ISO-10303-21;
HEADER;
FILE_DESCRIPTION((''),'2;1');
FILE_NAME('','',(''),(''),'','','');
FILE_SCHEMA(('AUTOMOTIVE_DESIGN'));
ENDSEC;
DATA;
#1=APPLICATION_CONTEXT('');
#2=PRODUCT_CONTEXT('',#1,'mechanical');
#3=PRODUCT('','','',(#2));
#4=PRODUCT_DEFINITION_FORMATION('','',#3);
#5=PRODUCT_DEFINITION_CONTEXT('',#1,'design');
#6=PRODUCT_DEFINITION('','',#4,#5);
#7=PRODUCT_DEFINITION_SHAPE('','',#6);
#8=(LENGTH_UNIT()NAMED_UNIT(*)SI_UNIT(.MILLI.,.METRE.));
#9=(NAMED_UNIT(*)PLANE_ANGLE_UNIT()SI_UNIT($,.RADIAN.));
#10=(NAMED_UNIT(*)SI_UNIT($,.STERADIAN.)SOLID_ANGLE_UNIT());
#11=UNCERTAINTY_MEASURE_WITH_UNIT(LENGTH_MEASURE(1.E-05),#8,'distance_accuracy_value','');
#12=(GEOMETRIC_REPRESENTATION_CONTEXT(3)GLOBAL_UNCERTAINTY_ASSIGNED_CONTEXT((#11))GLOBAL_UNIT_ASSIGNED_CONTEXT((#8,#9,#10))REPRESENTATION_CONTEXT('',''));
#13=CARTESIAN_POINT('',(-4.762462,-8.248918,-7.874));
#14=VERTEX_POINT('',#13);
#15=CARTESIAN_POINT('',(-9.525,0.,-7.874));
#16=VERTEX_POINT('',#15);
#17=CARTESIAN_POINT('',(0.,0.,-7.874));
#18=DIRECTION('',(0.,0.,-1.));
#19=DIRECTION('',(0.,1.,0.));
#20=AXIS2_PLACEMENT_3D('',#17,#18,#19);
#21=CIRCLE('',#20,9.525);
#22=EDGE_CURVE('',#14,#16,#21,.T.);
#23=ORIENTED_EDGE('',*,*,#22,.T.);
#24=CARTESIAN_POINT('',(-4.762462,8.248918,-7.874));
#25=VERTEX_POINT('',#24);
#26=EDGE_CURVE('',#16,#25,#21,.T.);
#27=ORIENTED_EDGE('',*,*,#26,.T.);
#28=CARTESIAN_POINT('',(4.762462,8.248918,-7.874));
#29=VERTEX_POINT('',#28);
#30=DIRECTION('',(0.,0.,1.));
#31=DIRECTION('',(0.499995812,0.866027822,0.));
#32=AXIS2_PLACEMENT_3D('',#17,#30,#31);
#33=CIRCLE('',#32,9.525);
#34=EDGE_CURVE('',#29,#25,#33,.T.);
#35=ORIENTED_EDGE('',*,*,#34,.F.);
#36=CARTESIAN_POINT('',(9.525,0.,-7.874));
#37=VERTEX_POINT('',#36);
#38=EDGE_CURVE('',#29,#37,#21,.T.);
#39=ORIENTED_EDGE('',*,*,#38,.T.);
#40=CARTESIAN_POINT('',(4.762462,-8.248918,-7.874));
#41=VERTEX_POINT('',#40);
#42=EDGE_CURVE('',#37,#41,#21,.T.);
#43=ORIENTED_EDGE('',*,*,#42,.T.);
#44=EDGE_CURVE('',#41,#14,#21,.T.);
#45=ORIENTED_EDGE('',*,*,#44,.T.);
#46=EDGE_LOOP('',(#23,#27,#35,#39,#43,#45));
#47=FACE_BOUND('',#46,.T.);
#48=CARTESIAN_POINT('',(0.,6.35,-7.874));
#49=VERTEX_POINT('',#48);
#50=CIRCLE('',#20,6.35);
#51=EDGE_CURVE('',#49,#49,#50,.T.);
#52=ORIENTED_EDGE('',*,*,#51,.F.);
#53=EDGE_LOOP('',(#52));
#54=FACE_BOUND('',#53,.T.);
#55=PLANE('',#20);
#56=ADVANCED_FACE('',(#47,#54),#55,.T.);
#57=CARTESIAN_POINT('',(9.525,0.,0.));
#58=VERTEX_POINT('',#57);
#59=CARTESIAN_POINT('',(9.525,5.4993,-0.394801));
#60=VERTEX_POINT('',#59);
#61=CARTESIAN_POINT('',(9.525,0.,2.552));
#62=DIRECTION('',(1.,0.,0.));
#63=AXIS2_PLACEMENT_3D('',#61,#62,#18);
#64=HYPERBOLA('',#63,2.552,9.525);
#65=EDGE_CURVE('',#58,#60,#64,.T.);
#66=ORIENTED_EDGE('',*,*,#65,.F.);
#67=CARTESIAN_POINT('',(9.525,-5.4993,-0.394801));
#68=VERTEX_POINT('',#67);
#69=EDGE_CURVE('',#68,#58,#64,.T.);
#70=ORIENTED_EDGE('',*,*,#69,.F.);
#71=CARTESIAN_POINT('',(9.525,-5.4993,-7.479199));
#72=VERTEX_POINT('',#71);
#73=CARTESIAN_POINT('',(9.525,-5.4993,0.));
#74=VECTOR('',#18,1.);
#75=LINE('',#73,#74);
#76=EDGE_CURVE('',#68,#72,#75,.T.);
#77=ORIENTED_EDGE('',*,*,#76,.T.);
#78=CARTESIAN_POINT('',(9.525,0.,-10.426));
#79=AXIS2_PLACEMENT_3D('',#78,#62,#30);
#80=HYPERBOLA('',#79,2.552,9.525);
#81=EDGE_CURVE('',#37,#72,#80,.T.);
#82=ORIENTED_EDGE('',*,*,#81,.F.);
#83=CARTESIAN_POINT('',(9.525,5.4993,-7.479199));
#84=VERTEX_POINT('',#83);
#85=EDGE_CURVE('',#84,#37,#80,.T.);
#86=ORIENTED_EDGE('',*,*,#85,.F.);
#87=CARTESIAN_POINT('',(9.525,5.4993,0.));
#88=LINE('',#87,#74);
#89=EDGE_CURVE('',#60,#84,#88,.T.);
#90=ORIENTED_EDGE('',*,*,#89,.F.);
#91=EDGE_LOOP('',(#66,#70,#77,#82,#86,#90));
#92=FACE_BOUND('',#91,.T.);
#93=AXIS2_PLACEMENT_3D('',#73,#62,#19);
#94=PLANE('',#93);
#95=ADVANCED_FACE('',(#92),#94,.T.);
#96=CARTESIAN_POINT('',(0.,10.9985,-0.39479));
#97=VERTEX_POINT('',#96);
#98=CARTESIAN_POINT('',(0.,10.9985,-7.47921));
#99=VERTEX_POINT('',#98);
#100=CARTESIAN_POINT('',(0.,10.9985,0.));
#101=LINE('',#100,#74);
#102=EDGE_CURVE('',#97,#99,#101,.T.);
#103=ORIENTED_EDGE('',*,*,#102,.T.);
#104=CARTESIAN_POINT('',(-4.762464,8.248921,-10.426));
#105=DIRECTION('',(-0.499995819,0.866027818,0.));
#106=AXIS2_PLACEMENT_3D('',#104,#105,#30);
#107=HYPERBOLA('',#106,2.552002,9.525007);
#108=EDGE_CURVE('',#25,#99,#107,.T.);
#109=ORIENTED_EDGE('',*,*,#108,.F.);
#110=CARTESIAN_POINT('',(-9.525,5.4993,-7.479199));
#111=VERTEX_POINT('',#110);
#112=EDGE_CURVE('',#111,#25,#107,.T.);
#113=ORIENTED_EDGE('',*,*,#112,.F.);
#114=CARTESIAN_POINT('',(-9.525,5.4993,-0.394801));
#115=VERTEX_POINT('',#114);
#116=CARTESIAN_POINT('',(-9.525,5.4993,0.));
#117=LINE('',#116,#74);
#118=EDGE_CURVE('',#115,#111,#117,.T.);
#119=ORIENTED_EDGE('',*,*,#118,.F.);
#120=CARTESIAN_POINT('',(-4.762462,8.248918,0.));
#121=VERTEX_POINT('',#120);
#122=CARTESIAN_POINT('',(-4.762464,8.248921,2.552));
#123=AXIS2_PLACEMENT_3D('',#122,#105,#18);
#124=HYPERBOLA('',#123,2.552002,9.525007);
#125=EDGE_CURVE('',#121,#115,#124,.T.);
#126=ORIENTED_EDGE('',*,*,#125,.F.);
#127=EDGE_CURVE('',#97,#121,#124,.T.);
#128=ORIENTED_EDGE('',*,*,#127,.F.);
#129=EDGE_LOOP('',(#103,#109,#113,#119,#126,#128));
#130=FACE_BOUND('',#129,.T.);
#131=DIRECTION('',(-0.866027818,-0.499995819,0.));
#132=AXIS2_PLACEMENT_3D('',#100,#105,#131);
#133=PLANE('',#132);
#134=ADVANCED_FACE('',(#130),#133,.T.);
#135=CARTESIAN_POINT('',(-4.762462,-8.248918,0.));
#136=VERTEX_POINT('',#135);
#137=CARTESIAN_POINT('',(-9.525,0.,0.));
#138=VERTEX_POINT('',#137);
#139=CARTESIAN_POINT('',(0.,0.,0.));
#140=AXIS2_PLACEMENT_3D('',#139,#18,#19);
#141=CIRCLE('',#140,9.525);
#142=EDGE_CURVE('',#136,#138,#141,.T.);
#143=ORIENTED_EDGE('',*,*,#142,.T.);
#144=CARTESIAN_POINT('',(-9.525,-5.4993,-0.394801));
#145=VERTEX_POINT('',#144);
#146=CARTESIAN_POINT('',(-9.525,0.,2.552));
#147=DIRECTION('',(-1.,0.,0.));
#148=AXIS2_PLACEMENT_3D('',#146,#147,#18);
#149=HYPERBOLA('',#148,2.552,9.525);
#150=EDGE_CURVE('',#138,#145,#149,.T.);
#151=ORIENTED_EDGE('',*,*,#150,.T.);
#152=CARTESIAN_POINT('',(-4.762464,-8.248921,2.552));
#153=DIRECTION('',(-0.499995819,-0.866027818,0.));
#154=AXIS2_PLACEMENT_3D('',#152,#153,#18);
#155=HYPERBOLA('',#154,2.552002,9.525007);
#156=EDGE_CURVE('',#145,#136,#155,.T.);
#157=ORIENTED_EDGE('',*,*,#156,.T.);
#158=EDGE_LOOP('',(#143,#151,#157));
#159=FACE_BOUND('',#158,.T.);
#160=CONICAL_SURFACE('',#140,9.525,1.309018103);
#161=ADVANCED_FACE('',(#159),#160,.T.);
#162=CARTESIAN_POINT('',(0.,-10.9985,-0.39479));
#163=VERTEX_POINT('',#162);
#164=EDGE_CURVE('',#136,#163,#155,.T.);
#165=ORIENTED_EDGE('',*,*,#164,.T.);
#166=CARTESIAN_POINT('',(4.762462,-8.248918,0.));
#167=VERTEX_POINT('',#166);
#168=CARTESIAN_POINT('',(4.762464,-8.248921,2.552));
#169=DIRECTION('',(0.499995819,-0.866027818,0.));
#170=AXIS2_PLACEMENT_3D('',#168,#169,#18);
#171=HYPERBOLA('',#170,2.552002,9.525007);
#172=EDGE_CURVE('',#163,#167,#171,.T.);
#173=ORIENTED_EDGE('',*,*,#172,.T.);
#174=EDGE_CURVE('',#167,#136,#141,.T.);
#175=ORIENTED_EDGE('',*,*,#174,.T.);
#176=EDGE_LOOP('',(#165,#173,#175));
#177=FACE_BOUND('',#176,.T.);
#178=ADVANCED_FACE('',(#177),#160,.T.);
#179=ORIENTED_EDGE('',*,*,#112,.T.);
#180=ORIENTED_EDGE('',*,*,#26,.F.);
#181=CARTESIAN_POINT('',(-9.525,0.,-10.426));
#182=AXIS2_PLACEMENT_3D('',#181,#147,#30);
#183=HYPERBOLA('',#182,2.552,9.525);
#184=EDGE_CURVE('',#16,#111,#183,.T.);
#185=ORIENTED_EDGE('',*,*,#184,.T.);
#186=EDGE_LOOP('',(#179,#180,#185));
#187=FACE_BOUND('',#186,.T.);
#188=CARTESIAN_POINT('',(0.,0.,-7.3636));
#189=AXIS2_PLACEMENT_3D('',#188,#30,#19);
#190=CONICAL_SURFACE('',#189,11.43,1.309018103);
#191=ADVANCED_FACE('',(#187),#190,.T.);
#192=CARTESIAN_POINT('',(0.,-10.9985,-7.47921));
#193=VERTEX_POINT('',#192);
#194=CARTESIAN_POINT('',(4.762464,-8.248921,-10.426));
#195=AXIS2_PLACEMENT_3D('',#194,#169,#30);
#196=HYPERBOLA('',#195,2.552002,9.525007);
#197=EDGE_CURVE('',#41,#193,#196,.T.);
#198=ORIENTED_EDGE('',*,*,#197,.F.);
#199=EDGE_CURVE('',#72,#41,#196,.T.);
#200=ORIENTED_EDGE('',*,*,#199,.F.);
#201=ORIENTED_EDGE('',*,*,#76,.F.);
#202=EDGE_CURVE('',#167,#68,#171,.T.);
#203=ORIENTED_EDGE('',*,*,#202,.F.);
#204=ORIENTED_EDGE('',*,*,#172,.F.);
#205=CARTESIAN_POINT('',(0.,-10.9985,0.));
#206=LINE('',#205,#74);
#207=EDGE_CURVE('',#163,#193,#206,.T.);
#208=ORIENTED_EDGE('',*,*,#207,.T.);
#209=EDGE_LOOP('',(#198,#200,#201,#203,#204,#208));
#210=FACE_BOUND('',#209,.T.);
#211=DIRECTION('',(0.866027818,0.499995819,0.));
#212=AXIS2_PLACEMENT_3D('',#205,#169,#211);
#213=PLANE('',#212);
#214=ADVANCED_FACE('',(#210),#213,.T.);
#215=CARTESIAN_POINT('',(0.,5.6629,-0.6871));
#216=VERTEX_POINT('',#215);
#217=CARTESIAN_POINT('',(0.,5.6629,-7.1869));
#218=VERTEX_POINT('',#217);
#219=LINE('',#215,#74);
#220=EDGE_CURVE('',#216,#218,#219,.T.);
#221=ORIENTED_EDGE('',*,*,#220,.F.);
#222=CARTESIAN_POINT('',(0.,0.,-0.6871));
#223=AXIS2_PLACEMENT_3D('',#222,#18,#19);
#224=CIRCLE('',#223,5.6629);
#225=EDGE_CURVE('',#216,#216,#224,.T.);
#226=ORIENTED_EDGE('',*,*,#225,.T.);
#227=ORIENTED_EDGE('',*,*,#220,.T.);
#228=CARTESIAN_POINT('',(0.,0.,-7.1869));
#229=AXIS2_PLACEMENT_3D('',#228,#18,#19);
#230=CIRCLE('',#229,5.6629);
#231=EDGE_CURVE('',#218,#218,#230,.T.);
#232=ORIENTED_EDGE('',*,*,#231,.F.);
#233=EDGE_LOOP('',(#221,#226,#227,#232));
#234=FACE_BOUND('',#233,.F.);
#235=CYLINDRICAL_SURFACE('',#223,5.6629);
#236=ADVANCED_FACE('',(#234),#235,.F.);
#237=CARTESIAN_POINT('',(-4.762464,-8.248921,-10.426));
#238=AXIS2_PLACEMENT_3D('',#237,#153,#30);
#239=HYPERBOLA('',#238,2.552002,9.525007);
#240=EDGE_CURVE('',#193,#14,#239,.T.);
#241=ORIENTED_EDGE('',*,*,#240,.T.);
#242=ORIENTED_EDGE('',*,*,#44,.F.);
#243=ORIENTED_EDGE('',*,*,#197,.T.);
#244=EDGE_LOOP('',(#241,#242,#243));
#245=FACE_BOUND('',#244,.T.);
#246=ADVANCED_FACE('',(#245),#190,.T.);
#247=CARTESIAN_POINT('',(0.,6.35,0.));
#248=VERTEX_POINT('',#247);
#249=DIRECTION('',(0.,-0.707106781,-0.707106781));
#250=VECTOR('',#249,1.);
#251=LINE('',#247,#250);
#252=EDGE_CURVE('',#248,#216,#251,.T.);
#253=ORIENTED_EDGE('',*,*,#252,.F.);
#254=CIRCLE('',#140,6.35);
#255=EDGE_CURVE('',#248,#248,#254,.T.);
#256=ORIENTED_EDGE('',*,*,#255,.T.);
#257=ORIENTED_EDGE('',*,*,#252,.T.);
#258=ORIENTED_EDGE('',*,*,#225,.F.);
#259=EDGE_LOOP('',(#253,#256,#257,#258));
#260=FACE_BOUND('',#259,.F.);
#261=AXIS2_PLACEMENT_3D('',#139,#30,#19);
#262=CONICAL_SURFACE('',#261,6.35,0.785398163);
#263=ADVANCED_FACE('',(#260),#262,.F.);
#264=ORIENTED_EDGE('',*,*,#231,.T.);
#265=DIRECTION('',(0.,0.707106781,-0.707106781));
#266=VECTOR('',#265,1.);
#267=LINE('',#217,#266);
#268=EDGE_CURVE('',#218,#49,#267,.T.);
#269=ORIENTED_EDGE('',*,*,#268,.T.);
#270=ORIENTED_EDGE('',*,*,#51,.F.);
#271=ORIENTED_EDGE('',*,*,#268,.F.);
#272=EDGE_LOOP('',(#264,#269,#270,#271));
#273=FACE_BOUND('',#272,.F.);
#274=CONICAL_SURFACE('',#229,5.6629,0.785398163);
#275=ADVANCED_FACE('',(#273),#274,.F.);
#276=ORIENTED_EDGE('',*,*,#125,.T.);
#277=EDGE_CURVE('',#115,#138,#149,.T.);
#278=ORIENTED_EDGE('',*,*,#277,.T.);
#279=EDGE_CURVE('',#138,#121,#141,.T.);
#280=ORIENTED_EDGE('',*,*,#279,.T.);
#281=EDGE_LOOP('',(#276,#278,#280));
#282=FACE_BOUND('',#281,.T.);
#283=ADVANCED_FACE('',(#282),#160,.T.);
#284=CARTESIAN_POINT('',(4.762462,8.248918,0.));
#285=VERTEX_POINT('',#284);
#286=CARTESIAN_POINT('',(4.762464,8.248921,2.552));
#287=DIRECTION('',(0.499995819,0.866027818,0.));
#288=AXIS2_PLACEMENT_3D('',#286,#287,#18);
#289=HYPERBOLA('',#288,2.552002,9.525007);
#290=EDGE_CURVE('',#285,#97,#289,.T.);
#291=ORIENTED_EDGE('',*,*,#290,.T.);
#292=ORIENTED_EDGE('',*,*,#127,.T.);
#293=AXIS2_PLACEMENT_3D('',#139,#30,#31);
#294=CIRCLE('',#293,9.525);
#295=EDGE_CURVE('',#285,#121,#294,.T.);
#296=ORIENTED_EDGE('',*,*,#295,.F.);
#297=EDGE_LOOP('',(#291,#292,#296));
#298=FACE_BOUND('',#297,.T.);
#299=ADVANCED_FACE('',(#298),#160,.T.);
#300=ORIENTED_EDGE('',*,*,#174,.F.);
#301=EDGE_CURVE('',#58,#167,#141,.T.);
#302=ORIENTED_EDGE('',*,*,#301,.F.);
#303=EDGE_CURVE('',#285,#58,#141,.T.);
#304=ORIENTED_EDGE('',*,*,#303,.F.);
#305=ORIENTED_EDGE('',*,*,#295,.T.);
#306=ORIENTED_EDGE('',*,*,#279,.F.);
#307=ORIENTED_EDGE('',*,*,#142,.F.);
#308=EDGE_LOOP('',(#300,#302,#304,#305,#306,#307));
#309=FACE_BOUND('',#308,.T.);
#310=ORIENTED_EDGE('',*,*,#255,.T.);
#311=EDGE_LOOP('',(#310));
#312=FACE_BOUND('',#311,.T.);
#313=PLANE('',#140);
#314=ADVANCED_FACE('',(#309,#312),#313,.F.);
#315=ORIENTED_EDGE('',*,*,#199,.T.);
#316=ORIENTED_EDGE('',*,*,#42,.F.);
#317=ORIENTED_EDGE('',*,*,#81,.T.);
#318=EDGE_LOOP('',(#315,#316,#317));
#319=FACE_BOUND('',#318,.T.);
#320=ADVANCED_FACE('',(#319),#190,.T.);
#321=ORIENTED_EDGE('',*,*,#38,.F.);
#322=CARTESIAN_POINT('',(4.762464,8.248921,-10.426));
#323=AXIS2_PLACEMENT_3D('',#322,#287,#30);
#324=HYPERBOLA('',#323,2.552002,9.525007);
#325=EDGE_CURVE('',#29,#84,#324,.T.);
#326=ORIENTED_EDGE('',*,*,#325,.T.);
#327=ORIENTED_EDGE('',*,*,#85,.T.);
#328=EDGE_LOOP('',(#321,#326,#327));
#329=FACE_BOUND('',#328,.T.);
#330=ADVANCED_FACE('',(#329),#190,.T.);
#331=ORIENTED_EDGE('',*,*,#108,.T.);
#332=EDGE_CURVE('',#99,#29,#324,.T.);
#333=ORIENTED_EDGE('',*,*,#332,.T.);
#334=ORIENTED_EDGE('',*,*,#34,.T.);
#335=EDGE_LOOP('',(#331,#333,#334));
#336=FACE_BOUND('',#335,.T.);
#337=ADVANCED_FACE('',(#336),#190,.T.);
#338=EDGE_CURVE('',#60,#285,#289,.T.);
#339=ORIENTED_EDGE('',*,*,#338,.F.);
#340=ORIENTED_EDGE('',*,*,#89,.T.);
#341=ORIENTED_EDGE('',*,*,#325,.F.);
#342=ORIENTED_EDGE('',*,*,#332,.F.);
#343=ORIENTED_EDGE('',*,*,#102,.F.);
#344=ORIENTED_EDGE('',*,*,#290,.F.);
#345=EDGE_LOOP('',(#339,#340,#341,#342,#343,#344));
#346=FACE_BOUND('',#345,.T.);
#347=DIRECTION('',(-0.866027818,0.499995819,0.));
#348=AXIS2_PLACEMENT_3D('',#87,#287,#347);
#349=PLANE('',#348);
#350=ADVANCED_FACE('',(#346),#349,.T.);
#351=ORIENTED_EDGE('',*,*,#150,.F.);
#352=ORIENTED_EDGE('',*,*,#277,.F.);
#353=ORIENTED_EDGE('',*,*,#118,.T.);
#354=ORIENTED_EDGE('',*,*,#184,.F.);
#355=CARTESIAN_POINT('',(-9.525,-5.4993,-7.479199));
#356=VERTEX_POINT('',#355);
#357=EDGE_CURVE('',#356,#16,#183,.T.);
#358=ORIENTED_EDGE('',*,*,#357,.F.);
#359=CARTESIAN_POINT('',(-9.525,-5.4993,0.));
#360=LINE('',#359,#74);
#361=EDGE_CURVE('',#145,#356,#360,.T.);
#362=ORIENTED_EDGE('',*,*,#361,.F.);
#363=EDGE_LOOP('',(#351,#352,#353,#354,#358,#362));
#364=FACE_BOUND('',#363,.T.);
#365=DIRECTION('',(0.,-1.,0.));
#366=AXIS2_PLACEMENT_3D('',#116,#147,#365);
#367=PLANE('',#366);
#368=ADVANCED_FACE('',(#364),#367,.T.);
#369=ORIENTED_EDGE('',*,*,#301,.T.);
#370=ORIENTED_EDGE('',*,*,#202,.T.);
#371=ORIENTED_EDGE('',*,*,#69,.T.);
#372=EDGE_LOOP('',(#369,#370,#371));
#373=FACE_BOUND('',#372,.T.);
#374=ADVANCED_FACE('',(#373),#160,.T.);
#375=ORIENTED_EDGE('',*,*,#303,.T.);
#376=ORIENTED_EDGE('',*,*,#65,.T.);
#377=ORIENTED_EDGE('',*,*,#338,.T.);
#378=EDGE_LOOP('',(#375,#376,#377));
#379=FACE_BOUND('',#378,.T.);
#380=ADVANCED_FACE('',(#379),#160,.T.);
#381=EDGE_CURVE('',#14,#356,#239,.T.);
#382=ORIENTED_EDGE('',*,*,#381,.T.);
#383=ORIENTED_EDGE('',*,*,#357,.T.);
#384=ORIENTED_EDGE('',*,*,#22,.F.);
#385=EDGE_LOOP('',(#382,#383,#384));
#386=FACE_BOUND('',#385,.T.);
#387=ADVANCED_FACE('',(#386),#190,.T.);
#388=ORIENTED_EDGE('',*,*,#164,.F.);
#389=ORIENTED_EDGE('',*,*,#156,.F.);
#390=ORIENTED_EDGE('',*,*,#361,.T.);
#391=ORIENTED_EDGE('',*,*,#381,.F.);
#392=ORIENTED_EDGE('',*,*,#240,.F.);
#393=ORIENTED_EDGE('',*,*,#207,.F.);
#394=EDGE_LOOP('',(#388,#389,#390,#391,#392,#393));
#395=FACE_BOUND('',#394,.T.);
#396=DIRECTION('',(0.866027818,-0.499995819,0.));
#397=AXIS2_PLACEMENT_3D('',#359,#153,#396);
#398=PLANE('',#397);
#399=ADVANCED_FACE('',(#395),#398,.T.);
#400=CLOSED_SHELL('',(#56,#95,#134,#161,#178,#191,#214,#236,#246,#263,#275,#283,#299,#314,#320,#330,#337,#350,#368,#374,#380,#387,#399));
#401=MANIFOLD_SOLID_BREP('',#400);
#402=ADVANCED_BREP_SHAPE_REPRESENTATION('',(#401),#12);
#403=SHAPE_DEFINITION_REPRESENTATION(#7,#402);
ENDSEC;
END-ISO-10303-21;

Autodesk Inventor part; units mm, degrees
sketch "Sketch_8" plane through (0, 0, 0) normal (1, 0, 0) x (0, 1, 0)
  line L0 (0, -7.874) -> (0, 0)
  line L1 (0, 0) -> (9.525, 0)
  line L2 (9.525, 0) -> (11.43, -0.5104)
  line L3 (11.43, -0.5104) -> (11.43, -7.3636)
  line L4 (11.43, -7.3636) -> (9.525, -7.874)
  line L5 (9.525, -7.874) -> (0, -7.874)
  line L6 (0, -7.874) -> (0, 0)
sketch "Sketch_10" plane through (0, 0, 0) normal (0, 0, 1) x (1, 0, 0)
  line L0 (-19.05, 19.05) -> (-19.05, -19.05)
  line L1 (-19.05, -19.05) -> (19.05, -19.05)
  line L2 (19.05, -19.05) -> (19.05, 19.05)
  line L3 (19.05, 19.05) -> (-19.05, 19.05)
  line L4 (-9.525, 5.4993) -> (-9.525, -5.4993)
  line L5 (-9.525, -5.4993) -> (0, -10.9985)
  line L6 (0, -10.9985) -> (9.525, -5.4993)
  line L7 (9.525, -5.4993) -> (9.525, 5.4993)
  line L8 (9.525, 5.4993) -> (0, 10.9985)
  line L9 (0, 10.9985) -> (-9.525, 5.4993)
revolve "Revolution1" add sketch "Sketch_8" angle 360 about axis through (0, 0, -7.874) along (0, 0, -1)
extrude "Extrusion1" cut sketch "Sketch_10" against normal blind 7.874
sketch "Sketch_11" plane through (0, 0, 0) normal (1, 0, 0) x (0, 1, 0)
  line L0 (0, -7.874) -> (0, 0)
  line L1 (0, 0) -> (6.35, 0)
  line L2 (6.35, 0) -> (5.6629, -0.6871)
  line L3 (5.6629, -0.6871) -> (5.6629, -7.1869)
  line L4 (5.6629, -7.1869) -> (6.35, -7.874)
  line L5 (6.35, -7.874) -> (0, -7.874)
  line L6 (0, -7.874) -> (0, 0)
revolve "Revolution2" cut sketch "Sketch_11" angle 360 about axis through (0, 0, -7.874) along (0, 0, -1)
thread "Thread1" size "1/2-20 UNF" class "2B" standard "ANSI Unified Screw Threads" full length
ref_plane "NUT_XY" through (0, 0, 0) normal (0, 0, 1) x (1, 0, 0)
ref_plane "NUT_YZ" through (0, 0, 0) normal (1, 0, 0) x (0, 1, 0)
ref_plane "NUT_ZX" through (0, 0, 0) normal (0, 1, 0) x (0, 0, 1)
ref_plane "a1_XY" through (-9.525, 9.525, 0) normal (0, 0, 1) x (1, 0, 0)
ref_plane "a1_YZ" through (-9.525, 9.525, 0) normal (1, 0, 0) x (0, 1, 0)
ref_plane "a1_ZX" through (-9.525, 9.525, 0) normal (0, 1, 0) x (0, 0, 1)
ref_plane "a2_XY" through (9.525, 9.525, 0) normal (0, 0, 1) x (1, 0, 0)
ref_plane "a2_YZ" through (9.525, 9.525, 0) normal (1, 0, 0) x (0, 1, 0)
ref_plane "a2_ZX" through (9.525, 9.525, 0) normal (0, 1, 0) x (0, 0, 1)
ref_plane "b1_XY" through (0, 9.525, 0) normal (1, 0, 0) x (0, 0, -1)
ref_plane "b1_YZ" through (0, 9.525, 0) normal (0, 0, -1) x (0, 1, 0)
ref_plane "b1_ZX" through (0, 9.525, 0) normal (0, 1, 0) x (1, 0, 0)
ref_plane "b2_XY" through (0, 9.525, -7.874) normal (1, 0, 0) x (0, 0, -1)
ref_plane "b2_YZ" through (0, 9.525, -7.874) normal (0, 0, -1) x (0, 1, 0)
ref_plane "b2_ZX" through (0, 9.525, -7.874) normal (0, 1, 0) x (1, 0, 0)
ref_plane "e_XY" through (0, 0, -7.874) normal (1, 0, 0) x (0, 0, -1)
ref_plane "e_YZ" through (0, 0, -7.874) normal (0, 0, -1) x (0, 1, 0)
ref_plane "e_ZX" through (0, 0, -7.874) normal (0, 1, 0) x (1, 0, 0)
ref_plane "th1_XY" through (0, 6.35, -7.874) normal (1, 0, 0) x (0, 0, -1)
ref_plane "th1_YZ" through (0, 6.35, -7.874) normal (0, 0, -1) x (0, 1, 0)
ref_plane "th1_ZX" through (0, 6.35, -7.874) normal (0, 1, 0) x (1, 0, 0)
ref_plane "th2_XY" through (0, -6.35, -7.874) normal (1, 0, 0) x (0, 0, -1)
ref_plane "th2_YZ" through (0, -6.35, -7.874) normal (0, 0, -1) x (0, 1, 0)
ref_plane "th2_ZX" through (0, -6.35, -7.874) normal (0, 1, 0) x (1, 0, 0)
ref_plane "ol1_XY" through (0, 0, -9.525) normal (0, 1, 0) x (1, 0, 0)
ref_plane "ol1_YZ" through (0, 0, -9.525) normal (1, 0, 0) x (0, 0, -1)
ref_plane "ol1_ZX" through (0, 0, -9.525) normal (0, 0, -1) x (0, 1, 0)
ref_plane "ol2_XY" through (7.874, 0, -9.525) normal (0, 1, 0) x (1, 0, 0)
ref_plane "ol2_YZ" through (7.874, 0, -9.525) normal (1, 0, 0) x (0, 0, -1)
ref_plane "ol2_ZX" through (7.874, 0, -9.525) normal (0, 0, -1) x (0, 1, 0)
properties part number "D-98"
